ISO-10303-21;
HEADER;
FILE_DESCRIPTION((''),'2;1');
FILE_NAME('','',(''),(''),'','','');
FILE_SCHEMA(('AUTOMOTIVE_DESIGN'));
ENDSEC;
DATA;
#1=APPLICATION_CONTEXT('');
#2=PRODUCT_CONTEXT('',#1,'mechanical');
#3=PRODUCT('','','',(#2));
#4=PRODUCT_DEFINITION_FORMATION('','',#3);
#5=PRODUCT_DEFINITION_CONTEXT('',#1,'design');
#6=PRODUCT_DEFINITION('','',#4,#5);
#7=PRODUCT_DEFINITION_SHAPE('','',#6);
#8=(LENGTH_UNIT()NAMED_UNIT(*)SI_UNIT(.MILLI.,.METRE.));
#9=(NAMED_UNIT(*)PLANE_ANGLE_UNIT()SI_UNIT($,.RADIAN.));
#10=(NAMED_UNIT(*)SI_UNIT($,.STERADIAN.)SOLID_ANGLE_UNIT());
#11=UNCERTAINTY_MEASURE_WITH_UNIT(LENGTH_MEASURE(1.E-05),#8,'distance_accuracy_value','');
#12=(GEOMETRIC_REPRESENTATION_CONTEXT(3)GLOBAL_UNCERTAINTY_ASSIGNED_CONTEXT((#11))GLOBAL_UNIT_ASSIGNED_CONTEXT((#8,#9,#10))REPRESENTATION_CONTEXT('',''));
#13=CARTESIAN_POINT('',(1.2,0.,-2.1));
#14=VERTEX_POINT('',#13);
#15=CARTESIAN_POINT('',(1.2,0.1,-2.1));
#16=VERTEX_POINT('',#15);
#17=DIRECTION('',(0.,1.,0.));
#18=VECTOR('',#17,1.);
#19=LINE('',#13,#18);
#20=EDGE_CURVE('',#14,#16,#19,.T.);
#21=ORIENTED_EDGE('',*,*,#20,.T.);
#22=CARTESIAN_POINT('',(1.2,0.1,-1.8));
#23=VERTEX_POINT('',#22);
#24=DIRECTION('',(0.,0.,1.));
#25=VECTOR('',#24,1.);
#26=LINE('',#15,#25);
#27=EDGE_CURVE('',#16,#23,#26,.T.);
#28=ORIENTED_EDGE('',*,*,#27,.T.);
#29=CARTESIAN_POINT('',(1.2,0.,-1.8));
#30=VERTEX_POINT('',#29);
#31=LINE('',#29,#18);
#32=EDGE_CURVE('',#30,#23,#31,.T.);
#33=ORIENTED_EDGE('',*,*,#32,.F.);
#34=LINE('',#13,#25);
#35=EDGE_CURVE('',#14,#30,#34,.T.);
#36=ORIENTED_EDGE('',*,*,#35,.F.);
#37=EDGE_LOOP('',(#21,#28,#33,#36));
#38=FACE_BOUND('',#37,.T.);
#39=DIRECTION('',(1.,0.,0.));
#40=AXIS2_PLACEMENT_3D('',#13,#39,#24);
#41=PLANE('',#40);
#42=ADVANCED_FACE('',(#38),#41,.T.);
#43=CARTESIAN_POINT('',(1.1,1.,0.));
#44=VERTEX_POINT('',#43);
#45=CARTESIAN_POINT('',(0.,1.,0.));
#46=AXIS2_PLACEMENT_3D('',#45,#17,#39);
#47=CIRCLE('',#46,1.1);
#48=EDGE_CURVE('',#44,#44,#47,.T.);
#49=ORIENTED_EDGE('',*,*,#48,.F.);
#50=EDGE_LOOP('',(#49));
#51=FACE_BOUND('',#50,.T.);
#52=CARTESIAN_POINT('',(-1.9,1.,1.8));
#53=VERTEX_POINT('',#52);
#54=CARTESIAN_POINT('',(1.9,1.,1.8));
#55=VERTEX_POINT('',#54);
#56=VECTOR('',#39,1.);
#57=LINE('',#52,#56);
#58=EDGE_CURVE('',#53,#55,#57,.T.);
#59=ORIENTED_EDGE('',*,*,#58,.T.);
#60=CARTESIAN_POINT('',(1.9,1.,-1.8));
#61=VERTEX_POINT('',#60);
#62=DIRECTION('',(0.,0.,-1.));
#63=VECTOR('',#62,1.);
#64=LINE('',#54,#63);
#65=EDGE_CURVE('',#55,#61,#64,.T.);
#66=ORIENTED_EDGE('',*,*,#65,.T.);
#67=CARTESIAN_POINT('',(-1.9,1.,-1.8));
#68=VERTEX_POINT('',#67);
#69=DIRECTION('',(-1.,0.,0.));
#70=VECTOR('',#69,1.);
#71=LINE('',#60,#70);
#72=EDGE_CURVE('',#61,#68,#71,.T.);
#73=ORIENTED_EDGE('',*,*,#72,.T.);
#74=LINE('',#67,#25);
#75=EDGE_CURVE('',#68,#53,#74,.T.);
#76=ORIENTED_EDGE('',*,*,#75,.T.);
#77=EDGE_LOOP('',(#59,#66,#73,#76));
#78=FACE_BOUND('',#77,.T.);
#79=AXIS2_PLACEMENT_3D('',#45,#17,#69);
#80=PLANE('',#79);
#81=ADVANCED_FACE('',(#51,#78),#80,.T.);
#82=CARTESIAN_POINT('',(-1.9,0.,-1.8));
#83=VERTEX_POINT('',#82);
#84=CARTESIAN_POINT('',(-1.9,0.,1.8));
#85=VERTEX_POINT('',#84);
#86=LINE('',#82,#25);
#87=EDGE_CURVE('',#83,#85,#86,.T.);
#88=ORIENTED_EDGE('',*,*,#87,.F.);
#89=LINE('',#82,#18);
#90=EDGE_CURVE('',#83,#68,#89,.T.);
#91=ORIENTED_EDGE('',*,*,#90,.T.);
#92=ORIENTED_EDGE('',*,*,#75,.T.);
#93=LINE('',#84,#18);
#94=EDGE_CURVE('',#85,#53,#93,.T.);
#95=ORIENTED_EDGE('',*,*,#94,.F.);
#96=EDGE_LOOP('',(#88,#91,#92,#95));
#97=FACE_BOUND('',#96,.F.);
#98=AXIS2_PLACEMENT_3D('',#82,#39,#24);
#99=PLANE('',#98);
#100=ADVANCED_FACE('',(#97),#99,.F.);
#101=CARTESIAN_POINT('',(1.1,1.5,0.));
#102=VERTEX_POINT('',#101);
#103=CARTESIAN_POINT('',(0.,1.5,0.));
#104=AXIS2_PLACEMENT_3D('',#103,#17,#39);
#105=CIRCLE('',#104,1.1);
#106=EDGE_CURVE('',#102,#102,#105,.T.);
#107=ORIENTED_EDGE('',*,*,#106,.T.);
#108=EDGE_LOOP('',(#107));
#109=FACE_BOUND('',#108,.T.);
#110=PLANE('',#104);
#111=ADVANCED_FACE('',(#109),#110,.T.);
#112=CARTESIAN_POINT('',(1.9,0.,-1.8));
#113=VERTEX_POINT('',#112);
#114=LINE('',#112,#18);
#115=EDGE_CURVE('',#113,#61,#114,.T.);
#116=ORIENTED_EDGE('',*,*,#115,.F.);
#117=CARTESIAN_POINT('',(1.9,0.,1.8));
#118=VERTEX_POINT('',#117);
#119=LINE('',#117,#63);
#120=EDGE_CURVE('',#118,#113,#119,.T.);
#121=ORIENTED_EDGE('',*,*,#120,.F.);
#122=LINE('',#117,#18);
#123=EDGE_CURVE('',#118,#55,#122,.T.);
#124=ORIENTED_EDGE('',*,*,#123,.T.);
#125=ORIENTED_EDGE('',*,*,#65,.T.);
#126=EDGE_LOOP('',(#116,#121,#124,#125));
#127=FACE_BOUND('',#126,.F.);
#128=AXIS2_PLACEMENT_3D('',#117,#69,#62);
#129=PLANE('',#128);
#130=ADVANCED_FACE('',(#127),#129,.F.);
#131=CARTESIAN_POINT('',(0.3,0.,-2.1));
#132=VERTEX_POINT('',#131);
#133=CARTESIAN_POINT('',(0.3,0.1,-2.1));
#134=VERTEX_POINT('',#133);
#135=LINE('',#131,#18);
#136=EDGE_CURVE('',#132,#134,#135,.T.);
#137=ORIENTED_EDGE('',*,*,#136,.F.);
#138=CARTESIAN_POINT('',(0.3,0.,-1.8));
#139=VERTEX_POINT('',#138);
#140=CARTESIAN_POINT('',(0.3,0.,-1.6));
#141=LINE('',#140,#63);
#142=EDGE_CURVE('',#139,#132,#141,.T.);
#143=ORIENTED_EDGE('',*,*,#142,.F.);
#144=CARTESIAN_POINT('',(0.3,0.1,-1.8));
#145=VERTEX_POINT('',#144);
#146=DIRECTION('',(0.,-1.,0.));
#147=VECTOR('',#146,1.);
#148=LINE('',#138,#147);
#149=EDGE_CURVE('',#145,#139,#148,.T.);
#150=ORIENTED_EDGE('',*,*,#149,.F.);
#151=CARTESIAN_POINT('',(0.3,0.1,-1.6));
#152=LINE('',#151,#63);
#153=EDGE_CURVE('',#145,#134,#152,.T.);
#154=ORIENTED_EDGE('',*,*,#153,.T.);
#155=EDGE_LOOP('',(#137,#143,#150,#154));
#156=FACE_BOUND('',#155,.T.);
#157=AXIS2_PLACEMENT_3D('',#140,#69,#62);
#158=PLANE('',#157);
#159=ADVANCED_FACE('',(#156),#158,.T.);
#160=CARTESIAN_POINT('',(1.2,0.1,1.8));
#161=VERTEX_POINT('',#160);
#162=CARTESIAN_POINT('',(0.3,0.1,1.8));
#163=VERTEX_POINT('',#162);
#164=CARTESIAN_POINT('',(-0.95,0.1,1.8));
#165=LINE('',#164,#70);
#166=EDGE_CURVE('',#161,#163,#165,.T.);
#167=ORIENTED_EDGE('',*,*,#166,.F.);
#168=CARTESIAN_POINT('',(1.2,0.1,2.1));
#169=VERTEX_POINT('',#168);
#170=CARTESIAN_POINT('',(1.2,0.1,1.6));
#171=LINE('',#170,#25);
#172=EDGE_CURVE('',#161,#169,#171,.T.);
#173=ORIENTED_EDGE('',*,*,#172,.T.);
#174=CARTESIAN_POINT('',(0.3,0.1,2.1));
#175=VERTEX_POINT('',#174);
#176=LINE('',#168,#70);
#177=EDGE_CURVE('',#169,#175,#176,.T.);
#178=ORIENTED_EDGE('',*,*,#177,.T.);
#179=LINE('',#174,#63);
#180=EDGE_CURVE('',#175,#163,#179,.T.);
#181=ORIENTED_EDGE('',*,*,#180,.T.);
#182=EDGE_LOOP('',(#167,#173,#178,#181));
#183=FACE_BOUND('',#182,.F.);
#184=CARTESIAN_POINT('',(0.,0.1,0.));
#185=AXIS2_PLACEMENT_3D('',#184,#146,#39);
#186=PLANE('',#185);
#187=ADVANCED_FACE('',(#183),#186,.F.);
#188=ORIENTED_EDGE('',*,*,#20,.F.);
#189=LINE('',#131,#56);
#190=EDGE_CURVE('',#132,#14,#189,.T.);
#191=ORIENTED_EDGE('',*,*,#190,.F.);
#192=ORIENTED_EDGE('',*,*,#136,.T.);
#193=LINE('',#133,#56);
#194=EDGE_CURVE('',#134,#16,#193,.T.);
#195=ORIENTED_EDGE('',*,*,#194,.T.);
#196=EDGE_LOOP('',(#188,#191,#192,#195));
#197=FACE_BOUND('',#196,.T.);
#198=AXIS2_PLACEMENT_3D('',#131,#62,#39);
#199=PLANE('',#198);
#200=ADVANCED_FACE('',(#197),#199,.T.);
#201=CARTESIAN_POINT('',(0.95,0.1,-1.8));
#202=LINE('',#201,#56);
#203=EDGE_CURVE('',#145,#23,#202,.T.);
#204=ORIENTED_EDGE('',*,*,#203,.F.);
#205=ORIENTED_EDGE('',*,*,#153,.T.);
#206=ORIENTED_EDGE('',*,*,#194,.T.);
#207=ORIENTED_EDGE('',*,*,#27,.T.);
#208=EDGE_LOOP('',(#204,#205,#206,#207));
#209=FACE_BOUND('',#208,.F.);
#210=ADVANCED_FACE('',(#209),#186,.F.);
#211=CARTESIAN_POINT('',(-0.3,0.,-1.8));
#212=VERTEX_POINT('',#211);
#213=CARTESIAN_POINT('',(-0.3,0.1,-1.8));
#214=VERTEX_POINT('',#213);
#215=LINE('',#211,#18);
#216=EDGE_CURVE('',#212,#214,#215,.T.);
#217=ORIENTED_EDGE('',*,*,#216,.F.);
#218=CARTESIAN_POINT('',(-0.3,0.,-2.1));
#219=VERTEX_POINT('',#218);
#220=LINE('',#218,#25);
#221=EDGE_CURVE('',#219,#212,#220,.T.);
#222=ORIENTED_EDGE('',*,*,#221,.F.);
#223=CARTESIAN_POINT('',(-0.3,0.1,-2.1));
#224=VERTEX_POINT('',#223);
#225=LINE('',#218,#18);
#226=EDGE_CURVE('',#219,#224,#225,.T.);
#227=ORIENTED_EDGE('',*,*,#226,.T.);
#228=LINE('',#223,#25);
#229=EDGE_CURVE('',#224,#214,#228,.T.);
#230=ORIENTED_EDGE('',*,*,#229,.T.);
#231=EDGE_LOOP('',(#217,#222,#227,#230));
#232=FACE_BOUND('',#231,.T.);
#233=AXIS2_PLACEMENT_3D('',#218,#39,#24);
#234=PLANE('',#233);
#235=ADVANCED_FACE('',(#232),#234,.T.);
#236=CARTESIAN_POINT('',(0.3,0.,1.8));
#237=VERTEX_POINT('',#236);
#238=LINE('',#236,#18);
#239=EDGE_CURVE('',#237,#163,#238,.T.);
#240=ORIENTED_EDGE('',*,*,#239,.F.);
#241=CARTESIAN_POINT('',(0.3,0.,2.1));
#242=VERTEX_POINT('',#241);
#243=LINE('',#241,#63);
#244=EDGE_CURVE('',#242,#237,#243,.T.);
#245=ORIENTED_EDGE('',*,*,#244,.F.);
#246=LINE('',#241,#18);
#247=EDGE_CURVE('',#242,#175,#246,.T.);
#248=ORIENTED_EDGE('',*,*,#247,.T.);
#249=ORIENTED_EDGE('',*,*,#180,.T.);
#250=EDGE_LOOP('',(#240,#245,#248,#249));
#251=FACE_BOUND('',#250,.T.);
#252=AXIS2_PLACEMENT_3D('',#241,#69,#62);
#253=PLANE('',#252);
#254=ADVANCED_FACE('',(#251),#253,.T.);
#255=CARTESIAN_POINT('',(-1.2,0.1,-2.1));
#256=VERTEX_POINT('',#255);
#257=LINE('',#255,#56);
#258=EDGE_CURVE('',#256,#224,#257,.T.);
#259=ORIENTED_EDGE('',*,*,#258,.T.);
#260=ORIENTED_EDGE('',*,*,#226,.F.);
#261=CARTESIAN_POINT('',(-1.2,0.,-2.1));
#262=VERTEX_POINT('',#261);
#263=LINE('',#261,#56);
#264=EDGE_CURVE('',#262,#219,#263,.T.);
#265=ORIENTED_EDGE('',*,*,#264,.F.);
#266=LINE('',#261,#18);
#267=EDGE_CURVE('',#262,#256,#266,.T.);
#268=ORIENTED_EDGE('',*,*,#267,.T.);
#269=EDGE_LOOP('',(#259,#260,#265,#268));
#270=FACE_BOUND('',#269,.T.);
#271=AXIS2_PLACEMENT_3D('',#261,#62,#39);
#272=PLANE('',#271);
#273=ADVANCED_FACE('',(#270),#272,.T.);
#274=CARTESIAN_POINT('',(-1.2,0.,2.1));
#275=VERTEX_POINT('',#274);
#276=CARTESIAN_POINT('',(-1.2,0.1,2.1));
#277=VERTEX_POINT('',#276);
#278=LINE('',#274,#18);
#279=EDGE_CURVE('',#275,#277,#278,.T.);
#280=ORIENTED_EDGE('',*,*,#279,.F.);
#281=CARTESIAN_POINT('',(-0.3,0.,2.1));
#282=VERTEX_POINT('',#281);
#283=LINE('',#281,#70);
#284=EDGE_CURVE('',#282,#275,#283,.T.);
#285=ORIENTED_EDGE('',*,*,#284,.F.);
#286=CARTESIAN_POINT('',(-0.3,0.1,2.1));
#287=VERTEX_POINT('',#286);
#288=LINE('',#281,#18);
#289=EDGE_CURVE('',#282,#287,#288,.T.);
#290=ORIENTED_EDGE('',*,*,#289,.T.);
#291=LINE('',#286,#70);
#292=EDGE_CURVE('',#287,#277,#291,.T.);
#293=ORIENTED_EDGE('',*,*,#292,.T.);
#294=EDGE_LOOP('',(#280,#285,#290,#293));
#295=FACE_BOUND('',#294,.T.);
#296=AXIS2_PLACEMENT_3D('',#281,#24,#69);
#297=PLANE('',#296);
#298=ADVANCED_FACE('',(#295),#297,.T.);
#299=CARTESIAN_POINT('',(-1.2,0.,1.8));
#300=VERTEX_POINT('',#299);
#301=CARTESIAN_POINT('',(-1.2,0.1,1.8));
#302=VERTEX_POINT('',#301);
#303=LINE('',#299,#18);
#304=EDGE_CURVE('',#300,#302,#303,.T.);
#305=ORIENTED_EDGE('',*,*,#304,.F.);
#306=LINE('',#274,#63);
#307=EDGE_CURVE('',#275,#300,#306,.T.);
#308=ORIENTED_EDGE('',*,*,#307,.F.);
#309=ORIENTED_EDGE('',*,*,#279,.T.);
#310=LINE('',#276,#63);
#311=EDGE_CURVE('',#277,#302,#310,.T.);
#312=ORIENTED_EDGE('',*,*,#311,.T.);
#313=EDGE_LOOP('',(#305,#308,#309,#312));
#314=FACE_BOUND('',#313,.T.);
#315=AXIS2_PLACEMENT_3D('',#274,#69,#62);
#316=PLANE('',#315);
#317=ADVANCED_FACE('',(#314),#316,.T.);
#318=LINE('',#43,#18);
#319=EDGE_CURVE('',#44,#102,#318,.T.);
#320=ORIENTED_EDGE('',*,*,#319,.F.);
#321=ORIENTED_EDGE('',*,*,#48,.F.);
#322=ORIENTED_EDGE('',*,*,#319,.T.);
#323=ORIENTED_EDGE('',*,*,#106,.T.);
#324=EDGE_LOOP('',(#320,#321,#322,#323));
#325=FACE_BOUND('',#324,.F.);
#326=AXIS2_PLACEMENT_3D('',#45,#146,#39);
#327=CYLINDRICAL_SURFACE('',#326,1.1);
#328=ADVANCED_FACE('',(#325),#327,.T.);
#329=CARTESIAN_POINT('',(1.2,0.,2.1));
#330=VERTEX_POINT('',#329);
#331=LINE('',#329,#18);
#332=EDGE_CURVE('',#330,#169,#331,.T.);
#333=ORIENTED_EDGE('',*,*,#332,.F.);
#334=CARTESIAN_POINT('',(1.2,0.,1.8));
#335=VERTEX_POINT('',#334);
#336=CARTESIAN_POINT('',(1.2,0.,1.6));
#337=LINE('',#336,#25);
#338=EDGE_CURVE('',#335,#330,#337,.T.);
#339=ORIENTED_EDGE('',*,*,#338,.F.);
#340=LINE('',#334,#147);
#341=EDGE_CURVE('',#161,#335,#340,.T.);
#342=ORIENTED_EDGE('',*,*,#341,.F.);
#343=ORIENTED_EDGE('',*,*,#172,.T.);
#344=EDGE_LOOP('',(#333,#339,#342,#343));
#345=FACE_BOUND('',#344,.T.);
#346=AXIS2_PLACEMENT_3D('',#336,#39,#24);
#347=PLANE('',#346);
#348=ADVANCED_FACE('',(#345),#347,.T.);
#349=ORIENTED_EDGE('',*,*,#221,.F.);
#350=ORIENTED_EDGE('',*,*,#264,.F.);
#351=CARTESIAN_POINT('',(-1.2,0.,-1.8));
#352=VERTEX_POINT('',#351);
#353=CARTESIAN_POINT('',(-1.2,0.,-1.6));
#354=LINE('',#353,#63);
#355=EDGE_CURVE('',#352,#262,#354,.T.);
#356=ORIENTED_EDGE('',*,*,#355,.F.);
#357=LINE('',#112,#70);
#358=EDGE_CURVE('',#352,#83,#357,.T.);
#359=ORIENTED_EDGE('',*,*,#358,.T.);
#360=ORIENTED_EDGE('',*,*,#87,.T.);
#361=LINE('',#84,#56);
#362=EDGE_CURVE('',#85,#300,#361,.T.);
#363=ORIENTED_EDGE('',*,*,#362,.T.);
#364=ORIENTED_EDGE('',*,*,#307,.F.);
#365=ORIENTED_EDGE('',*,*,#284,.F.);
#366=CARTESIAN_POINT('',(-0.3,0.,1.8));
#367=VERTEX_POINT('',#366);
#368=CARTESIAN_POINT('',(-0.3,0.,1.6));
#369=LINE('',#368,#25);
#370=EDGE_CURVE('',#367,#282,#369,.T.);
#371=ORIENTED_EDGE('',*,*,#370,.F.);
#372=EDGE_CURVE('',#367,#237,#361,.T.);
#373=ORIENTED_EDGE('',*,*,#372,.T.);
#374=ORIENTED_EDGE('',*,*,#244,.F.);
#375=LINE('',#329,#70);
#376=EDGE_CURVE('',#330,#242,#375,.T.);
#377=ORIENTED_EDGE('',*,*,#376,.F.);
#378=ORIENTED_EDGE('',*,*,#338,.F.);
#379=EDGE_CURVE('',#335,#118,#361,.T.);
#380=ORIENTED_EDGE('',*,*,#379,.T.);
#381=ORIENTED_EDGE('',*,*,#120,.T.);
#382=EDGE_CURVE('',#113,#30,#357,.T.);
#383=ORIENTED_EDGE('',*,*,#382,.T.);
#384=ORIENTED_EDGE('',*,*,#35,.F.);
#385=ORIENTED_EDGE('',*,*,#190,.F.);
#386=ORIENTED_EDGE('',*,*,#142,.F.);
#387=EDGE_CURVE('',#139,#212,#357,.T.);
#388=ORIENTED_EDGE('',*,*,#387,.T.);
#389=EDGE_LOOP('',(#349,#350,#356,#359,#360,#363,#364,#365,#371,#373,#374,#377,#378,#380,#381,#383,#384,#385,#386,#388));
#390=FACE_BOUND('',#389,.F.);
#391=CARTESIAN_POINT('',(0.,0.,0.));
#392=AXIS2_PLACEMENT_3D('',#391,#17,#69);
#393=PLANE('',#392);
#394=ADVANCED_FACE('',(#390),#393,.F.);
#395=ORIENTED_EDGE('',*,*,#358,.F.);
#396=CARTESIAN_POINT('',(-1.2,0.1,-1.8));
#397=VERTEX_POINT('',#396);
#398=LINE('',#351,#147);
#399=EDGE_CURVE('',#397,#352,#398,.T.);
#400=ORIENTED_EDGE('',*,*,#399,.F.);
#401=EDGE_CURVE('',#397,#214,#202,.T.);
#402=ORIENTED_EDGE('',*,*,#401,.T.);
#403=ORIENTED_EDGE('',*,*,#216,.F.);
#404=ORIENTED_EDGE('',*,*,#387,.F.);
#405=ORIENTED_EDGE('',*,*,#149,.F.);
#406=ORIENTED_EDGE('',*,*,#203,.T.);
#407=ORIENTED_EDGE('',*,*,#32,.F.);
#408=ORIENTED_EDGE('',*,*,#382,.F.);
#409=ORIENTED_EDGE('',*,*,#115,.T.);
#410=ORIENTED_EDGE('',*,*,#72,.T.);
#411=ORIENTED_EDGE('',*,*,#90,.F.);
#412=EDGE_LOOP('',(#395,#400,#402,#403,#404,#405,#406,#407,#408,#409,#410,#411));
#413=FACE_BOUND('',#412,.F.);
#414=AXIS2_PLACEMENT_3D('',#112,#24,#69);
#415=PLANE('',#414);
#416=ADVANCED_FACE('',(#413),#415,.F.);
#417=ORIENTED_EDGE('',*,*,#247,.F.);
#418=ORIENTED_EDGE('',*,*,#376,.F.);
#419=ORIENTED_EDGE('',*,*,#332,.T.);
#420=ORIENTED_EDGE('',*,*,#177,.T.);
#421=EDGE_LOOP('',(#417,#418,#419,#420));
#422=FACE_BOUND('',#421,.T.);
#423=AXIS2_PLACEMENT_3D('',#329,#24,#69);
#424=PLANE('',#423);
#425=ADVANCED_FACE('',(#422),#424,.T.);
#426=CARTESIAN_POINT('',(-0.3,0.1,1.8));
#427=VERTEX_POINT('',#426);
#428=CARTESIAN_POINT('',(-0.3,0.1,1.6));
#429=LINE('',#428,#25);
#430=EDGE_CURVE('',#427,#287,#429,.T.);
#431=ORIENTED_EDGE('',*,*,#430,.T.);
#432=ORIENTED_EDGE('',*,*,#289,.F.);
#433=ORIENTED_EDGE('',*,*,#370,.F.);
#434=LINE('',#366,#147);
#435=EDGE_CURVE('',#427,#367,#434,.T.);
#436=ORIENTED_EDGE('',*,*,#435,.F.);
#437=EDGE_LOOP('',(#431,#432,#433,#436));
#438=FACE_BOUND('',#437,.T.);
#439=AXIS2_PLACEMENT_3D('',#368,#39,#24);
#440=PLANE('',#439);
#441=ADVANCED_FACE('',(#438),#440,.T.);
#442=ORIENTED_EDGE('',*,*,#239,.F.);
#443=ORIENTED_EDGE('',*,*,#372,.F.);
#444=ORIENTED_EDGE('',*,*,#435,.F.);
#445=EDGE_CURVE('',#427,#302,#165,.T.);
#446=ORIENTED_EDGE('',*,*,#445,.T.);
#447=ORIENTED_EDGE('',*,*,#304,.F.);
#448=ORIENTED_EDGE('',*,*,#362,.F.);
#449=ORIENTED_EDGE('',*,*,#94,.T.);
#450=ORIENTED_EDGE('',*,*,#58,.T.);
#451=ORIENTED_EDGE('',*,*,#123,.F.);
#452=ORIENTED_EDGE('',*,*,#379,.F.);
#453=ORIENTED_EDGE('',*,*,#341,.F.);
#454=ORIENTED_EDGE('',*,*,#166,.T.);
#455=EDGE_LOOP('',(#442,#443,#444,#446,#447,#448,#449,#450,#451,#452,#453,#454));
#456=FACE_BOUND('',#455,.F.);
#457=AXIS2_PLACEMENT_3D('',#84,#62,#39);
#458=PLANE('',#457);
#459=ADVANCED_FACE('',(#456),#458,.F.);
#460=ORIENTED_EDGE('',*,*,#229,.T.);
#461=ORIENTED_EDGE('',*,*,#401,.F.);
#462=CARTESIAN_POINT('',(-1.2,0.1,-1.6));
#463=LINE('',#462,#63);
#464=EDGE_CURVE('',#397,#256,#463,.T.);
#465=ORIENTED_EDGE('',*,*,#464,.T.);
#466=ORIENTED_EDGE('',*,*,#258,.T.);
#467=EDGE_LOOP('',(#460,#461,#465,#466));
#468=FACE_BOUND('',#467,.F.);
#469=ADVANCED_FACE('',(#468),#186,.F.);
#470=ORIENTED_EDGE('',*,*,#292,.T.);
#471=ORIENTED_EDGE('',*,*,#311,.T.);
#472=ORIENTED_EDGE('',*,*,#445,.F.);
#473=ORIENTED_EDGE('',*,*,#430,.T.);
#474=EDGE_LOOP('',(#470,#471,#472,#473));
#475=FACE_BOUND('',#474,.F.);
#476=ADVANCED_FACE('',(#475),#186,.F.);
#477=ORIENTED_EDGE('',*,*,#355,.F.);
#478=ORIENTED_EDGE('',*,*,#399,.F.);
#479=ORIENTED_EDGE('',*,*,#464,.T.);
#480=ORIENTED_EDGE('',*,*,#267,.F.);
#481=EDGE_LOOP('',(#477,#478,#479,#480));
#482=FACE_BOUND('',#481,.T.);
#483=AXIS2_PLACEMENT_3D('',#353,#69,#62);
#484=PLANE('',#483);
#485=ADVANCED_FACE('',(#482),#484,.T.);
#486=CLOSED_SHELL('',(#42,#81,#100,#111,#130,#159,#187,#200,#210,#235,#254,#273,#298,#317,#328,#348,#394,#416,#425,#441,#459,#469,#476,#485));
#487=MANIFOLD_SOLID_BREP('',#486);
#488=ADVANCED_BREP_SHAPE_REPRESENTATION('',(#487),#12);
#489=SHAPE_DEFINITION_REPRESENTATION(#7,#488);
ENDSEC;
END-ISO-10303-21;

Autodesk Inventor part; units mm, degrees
ref_plane "YZ Plane" through (0, 0, 0) normal (1, 0, 0) x (0, 1, 0)
ref_plane "XZ Plane" through (0, 0, 0) normal (0, 1, 0) x (-1, 0, 0)
ref_plane "XY Plane" through (0, 0, 0) normal (0, 0, 1) x (1, 0, 0)
sketch "Sketch1" plane through (0, 0, 0) normal (0, 1, 0) x (-1, 0, 0)
  line L0 (1.9, 1.8) -> (-1.9, 1.8)
  line L1 (-1.9, 1.8) -> (-1.9, -1.8)
  line L2 (-1.9, -1.8) -> (1.9, -1.8)
  line L3 (1.9, -1.8) -> (1.9, 1.8)
  line L4 (2.66, 0) -> (-2.66, 0) construction
  line L5 (0, -2.52) -> (0, 2.52) construction
  point P0 (0, 0)
  dimension "d0" = 3.8
  dimension "d1" = 3.6
extrude "Extrusion1" add sketch "Sketch1" along normal blind 1
sketch "Sketch2" plane through (0, 1, 0) normal (0, 1, 0) x (1, 0, 0)
  circle A0 centre (0, 0) radius 1.1
  dimension "d4" = 2.2
extrude "Extrusion2" add sketch "Sketch2" along normal blind 0.5
sketch "Sketch3" plane through (0, 0, 0) normal (0, -1, 0) x (1, 0, 0)
  line L0 (1.2, -1.6) -> (0.3, -1.6)
  line L1 (0.3, -1.6) -> (0.3, -2.1)
  line L2 (0.3, -2.1) -> (1.2, -2.1)
  line L3 (1.2, -2.1) -> (1.2, -1.6)
  line L4 (-0.3, -1.6) -> (-1.2, -1.6)
  line L5 (-1.2, -1.6) -> (-1.2, -2.1)
  line L6 (-1.2, -2.1) -> (-0.3, -2.1)
  line L7 (-0.3, -2.1) -> (-0.3, -1.6)
  line L8 (1.2, 2.1) -> (0.3, 2.1)
  line L9 (0.3, 2.1) -> (0.3, 1.6)
  line L10 (0.3, 1.6) -> (1.2, 1.6)
  line L11 (1.2, 1.6) -> (1.2, 2.1)
  line L12 (-0.3, 2.1) -> (-1.2, 2.1)
  line L13 (-1.2, 2.1) -> (-1.2, 1.6)
  line L14 (-1.2, 1.6) -> (-0.3, 1.6)
  line L15 (-0.3, 1.6) -> (-0.3, 2.1)
  point P0 (0, 0)
  dimension "d7" = 3.2
  dimension "d8" = 4.2
  dimension "d9" = 0.5
  dimension "d10" = 0.6
  dimension "d11" = 2.4
  dimension "d12" = 1.6
  dimension "d13" = 0.3
extrude "Extrusion3" add sketch "Sketch3" against normal blind 0.1
equation "\"d9\" = -0.5 * d7 + 0.5 * d8"
equation "\"d12\" = 0.5 * d7"
equation "\"d13\" = 0.5 * d10"
properties part number "R-667842_tactile_switch"
